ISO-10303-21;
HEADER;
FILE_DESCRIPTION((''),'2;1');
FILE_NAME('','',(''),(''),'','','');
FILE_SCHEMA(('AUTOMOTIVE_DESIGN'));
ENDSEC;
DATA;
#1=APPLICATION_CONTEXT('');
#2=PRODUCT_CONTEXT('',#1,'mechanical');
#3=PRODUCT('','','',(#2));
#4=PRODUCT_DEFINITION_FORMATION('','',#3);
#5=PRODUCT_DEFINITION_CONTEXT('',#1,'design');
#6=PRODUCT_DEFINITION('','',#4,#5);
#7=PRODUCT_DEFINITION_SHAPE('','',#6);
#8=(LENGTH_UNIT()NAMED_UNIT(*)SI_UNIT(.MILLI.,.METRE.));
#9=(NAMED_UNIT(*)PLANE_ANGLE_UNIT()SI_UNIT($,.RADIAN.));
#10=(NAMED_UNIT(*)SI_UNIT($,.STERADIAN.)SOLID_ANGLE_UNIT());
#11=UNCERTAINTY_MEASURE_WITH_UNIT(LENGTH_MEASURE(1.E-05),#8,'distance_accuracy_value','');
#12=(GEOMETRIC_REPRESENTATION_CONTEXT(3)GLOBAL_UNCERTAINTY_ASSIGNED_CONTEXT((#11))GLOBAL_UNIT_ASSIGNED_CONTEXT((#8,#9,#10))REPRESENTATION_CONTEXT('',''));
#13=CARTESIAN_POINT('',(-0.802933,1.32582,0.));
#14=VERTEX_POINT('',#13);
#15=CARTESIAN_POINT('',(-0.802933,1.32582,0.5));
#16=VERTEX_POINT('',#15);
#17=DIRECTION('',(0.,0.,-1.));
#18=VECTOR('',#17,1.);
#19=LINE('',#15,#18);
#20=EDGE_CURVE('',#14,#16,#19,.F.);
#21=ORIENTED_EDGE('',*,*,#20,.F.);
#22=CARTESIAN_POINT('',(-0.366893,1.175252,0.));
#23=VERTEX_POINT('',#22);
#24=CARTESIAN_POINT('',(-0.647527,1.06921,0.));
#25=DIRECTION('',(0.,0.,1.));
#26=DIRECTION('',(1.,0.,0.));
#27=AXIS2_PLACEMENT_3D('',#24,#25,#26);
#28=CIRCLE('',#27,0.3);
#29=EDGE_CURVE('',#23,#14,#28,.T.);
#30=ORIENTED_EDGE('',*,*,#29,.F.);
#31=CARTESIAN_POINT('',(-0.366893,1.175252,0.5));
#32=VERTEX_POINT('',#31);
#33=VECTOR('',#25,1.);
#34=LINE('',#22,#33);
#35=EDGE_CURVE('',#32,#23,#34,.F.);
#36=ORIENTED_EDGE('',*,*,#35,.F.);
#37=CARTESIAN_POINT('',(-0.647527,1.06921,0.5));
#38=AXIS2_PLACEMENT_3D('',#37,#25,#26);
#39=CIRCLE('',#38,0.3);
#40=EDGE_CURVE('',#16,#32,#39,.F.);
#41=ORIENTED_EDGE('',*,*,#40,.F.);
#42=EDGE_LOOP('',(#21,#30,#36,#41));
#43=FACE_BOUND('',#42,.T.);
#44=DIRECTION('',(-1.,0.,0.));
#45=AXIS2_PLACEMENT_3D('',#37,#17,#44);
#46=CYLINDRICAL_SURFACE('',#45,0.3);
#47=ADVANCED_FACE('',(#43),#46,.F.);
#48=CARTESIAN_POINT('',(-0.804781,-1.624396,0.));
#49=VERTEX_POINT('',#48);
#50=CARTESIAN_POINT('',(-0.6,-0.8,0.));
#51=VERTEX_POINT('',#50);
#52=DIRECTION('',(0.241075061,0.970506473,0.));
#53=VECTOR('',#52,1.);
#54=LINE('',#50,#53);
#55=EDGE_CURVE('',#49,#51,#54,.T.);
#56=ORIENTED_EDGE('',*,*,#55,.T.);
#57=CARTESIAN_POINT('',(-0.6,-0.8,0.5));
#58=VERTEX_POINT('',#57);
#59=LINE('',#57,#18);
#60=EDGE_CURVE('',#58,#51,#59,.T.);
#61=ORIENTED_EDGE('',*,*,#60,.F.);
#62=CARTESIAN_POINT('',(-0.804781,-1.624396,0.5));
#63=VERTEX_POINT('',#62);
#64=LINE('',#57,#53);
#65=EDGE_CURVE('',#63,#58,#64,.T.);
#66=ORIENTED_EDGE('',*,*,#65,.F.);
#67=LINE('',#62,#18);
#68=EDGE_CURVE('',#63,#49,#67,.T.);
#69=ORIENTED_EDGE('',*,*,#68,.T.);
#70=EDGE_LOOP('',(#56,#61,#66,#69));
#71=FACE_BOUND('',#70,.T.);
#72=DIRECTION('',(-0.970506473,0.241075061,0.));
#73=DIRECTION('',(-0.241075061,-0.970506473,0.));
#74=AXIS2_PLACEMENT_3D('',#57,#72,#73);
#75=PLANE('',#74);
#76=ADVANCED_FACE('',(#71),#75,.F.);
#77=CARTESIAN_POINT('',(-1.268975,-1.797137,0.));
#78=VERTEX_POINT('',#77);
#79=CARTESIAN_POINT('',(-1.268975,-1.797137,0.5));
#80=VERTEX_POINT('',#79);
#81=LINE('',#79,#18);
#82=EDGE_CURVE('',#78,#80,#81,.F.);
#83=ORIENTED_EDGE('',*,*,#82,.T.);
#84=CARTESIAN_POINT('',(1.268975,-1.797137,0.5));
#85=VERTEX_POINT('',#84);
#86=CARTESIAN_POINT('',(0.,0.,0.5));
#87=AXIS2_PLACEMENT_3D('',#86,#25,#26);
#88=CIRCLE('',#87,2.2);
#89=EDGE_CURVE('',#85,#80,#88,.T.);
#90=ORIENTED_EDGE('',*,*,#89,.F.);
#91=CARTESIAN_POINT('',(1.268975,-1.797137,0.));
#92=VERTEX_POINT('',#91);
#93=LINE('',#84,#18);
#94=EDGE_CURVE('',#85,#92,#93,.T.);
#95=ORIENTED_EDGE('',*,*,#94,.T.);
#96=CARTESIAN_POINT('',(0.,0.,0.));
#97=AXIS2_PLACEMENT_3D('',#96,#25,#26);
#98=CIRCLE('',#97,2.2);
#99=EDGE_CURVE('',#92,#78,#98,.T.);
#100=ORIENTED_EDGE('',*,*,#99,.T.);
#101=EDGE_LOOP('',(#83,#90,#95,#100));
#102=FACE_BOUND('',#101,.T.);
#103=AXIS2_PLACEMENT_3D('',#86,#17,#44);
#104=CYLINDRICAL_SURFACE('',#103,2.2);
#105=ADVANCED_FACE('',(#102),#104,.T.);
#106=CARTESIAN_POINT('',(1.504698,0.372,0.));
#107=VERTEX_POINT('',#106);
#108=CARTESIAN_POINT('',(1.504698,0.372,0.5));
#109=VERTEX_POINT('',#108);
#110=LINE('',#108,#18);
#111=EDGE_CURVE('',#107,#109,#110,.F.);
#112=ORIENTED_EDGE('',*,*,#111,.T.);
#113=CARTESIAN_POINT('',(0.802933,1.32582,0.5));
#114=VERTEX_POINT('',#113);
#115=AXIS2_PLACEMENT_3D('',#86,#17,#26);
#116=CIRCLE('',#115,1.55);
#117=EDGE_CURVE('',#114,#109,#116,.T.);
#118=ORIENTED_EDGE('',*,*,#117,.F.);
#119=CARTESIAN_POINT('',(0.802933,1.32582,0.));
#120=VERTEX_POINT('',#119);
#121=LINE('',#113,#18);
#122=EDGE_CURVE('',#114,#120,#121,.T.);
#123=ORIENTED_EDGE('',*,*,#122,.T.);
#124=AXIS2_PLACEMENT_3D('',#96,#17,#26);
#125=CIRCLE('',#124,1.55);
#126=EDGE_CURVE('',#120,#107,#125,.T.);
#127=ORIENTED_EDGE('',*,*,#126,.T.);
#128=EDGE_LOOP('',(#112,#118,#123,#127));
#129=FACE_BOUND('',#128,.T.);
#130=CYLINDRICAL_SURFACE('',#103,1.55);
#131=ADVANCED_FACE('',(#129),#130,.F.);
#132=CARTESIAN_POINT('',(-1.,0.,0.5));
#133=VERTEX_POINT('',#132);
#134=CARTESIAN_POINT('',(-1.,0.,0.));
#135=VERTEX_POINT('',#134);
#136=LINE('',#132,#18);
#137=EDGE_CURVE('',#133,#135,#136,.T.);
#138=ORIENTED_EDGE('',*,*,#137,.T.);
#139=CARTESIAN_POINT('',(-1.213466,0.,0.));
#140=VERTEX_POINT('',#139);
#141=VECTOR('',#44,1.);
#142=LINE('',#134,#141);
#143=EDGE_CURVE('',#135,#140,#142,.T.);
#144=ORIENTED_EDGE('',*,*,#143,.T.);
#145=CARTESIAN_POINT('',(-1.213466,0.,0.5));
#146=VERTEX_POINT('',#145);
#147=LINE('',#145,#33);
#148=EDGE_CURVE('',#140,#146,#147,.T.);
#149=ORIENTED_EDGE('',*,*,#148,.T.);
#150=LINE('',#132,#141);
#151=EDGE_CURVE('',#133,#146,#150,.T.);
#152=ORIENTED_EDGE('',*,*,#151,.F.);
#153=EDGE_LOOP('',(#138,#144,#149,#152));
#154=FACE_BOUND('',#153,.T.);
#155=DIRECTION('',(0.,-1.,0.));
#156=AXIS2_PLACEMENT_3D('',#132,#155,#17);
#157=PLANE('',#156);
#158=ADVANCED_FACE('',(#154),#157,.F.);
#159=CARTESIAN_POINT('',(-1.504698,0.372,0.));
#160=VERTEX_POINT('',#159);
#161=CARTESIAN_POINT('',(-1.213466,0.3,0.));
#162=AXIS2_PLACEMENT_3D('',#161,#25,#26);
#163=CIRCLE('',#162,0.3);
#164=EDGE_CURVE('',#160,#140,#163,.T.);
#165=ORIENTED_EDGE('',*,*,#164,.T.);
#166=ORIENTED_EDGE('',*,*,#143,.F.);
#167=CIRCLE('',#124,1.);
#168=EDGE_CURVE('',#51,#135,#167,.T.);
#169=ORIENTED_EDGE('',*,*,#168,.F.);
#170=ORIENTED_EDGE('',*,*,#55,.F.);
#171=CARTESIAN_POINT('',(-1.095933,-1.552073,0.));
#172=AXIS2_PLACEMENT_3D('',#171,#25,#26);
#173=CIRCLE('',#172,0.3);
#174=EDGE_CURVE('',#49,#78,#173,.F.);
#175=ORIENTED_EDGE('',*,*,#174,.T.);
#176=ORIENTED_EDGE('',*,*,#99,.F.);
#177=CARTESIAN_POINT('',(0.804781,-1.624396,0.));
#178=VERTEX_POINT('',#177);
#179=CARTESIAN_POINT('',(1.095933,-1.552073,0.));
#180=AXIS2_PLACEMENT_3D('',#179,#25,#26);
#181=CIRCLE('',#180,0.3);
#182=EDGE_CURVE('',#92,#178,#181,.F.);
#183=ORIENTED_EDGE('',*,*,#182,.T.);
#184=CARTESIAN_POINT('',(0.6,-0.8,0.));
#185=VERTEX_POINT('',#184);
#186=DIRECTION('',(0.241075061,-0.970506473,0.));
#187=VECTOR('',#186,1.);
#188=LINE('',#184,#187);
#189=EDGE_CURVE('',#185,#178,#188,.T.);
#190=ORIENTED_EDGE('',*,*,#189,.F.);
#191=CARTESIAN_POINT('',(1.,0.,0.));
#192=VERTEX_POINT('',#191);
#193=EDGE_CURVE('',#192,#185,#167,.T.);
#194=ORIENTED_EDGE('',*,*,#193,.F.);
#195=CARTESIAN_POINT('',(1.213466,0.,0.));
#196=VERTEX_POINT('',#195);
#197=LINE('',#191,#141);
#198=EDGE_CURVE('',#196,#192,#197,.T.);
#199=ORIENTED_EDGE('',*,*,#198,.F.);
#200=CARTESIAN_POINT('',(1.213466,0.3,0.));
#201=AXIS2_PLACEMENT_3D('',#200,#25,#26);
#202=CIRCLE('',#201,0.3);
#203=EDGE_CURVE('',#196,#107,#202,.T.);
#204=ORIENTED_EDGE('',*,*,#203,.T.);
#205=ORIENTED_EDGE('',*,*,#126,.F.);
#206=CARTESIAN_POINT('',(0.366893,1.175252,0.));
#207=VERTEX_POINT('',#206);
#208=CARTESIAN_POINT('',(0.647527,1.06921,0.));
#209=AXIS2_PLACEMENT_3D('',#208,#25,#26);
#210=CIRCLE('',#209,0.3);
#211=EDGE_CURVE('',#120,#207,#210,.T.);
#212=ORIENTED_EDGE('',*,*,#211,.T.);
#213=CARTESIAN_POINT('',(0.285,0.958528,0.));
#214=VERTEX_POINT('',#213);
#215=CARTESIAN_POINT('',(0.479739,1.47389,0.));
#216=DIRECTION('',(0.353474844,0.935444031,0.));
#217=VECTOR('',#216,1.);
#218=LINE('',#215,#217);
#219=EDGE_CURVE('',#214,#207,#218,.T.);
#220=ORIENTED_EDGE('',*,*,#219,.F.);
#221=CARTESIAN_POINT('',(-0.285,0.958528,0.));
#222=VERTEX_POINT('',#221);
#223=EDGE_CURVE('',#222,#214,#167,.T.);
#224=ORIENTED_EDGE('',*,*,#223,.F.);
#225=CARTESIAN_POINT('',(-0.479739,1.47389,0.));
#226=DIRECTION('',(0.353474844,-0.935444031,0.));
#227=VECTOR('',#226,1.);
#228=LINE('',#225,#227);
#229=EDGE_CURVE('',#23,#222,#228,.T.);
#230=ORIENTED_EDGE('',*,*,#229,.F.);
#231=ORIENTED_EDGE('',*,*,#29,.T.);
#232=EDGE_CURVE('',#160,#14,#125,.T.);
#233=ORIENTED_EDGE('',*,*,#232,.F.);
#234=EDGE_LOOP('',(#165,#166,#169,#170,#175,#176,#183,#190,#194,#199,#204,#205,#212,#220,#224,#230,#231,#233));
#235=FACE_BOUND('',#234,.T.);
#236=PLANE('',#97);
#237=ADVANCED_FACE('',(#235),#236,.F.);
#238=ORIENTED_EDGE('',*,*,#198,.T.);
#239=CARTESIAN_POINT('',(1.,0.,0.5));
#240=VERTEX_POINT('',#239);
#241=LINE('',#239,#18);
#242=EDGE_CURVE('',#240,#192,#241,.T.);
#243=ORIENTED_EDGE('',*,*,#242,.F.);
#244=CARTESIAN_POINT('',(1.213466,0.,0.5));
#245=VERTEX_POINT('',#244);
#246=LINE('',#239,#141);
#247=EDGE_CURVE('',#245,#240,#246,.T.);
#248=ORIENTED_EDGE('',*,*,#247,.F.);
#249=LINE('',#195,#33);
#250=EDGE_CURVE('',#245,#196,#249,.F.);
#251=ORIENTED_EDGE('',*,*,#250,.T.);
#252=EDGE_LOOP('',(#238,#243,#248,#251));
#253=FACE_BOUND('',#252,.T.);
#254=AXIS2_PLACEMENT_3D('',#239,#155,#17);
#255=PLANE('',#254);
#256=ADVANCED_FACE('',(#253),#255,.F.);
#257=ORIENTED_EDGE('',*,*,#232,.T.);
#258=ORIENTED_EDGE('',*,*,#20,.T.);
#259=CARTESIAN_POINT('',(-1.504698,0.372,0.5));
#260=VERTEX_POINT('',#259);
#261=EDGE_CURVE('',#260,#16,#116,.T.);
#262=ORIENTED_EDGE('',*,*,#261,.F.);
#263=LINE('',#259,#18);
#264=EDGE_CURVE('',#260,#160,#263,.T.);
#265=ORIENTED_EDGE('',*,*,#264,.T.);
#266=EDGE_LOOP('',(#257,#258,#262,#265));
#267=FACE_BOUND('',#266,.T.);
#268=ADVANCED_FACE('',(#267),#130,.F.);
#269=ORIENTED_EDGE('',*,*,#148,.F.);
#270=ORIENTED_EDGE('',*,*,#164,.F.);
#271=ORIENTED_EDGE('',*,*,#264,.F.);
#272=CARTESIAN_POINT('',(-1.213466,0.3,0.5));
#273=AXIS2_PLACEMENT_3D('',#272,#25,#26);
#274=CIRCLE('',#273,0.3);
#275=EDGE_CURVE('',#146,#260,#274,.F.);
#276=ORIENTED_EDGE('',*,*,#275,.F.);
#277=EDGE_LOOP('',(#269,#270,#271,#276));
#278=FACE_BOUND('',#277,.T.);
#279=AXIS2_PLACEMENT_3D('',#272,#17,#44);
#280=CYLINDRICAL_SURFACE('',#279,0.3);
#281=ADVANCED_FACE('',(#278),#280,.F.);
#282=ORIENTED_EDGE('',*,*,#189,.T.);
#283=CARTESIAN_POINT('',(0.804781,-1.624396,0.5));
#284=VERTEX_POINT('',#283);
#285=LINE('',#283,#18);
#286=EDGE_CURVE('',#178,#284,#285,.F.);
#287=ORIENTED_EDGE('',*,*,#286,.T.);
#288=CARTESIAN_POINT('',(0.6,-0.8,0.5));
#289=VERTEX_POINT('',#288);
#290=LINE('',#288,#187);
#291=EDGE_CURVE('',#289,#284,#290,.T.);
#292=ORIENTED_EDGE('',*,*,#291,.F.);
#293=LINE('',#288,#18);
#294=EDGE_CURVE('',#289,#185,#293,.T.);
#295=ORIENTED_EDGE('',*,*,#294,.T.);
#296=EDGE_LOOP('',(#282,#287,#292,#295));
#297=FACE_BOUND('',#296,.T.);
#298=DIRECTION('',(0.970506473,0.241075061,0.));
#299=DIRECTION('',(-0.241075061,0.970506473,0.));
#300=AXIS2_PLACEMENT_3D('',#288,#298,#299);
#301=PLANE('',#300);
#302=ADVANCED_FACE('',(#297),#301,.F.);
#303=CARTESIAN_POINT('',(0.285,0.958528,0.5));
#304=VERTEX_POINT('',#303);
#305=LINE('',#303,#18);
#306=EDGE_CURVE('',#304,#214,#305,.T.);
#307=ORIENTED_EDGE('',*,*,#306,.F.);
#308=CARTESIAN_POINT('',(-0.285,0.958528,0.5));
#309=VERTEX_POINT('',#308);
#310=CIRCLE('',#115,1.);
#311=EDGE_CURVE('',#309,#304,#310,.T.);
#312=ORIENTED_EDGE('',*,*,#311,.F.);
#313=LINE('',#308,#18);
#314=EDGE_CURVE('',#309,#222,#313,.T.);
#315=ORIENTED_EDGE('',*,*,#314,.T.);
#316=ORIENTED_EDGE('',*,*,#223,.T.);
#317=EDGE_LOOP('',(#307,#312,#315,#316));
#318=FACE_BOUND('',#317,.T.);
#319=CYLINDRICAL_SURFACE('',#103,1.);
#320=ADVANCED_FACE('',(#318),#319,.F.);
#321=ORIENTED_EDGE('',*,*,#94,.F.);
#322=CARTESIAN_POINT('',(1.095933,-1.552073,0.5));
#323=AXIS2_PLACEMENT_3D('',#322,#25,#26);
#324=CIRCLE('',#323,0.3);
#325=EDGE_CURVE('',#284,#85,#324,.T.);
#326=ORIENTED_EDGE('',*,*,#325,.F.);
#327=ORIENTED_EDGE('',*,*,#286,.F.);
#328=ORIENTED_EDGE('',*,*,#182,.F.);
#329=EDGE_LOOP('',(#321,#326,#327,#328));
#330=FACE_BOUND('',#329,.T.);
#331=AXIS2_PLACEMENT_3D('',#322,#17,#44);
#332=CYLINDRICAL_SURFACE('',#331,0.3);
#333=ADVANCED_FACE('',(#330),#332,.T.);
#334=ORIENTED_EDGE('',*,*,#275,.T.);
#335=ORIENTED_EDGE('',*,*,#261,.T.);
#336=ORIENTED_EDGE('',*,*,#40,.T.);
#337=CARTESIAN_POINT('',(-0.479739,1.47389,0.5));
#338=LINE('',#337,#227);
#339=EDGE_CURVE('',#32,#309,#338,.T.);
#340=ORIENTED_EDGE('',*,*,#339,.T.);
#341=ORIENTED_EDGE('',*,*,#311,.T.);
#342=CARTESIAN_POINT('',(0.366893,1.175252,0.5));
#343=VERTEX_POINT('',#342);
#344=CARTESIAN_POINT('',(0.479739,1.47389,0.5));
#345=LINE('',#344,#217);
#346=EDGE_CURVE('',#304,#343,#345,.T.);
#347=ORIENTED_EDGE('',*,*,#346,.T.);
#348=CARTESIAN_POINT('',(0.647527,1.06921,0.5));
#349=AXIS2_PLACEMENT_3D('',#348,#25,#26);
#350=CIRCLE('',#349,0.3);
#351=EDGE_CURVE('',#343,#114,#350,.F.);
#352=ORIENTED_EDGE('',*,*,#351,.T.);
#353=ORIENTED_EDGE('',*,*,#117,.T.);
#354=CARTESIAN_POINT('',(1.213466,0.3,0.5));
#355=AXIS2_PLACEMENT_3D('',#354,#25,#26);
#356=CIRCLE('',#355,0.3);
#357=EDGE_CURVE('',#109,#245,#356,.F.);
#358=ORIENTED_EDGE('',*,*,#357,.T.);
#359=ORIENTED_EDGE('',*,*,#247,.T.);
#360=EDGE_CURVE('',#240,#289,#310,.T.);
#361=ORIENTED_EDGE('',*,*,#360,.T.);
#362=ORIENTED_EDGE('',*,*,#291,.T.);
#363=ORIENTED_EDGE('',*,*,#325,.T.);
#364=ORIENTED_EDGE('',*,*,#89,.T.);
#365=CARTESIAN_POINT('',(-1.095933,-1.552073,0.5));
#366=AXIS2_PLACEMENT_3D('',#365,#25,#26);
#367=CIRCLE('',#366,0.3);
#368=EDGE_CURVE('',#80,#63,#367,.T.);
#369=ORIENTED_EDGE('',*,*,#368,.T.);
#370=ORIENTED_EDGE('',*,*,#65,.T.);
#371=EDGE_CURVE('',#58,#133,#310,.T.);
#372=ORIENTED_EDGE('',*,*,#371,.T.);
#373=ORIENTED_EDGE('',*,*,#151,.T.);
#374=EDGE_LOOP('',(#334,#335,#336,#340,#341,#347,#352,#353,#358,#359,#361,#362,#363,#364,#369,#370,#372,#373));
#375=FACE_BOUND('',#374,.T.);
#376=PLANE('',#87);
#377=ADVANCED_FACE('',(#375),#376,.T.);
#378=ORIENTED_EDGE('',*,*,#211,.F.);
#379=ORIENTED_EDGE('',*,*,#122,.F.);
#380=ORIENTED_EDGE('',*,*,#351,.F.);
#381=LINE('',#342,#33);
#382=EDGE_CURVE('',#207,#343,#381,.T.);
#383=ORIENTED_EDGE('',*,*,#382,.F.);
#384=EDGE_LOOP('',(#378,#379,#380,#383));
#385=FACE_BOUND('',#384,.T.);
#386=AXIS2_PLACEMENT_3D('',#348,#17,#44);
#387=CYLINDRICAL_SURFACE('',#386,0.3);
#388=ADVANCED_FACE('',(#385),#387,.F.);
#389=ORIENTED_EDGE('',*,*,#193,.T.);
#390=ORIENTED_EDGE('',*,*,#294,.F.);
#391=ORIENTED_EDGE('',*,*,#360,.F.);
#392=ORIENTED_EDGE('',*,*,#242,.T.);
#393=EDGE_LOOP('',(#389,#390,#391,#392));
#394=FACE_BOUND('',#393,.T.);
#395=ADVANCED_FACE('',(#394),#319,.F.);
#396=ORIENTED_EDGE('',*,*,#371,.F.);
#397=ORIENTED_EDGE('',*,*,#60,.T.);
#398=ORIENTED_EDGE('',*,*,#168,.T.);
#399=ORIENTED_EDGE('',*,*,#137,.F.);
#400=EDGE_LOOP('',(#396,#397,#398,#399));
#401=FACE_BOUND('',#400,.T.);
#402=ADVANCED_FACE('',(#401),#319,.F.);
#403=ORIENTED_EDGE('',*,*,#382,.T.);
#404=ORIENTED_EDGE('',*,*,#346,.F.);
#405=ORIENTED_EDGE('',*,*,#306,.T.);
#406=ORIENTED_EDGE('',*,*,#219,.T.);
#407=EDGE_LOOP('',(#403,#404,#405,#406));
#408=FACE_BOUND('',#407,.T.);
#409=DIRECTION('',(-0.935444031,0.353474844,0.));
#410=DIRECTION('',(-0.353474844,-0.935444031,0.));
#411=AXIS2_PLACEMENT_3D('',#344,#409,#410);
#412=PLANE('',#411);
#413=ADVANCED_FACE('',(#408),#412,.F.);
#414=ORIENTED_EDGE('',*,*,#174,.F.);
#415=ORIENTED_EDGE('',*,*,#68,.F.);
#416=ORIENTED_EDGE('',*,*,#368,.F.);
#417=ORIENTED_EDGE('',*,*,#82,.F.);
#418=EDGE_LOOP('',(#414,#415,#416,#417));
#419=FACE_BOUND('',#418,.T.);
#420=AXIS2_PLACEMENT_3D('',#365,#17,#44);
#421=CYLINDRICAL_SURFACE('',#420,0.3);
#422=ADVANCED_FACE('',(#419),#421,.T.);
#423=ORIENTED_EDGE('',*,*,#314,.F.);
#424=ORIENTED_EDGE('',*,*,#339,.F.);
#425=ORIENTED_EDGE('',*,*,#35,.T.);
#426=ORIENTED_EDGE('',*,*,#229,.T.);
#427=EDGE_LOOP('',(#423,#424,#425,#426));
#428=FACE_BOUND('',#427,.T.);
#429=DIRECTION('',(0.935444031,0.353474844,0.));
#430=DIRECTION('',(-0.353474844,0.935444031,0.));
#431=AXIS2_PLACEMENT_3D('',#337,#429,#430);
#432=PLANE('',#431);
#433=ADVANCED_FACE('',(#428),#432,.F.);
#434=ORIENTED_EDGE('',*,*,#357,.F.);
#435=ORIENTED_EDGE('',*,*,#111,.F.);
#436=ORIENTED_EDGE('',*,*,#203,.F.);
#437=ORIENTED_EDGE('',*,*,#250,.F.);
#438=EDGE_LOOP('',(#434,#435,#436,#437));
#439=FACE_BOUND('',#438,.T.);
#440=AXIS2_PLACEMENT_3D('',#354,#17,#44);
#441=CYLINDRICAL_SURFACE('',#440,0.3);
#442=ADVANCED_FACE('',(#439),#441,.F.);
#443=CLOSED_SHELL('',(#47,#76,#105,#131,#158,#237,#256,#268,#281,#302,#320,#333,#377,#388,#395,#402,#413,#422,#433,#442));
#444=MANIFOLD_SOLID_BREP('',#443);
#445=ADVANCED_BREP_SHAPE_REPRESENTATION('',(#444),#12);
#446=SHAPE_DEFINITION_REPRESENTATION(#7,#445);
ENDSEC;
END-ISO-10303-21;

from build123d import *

# Parameters (mm, degrees)
BOSS_EXTRUDE1_DEPTH = 0.5
FILLET1_R           = 0.3


with BuildPart() as part:
    # Sketch2 → Boss-Extrude1 (new body)
    with BuildSketch(Plane.XY):
        with BuildLine():
            Line((0.6, -0.8), (0.899946983, -2.007509758))
            ThreePointArc((0.899946983, -2.007509758), (0, 2.2), (-0.899946983, -2.007509758))
            Line((-0.899946983, -2.007509758), (-0.6, -0.8))
            ThreePointArc((-0.6, -0.8), (-0.894427191, -0.447213595), (-1, 0))
            Line((-1, 0), (-1.55, 0))
            ThreePointArc((-1.55, 0), (-1.25421202, 0.910742669), (-0.479739085, 1.473889552))
            Line((-0.479739085, 1.473889552), (-0.285, 0.958527517))
            ThreePointArc((-0.285, 0.958527517), (0, 1), (0.285, 0.958527517))
            Line((0.285, 0.958527517), (0.479739085, 1.473889552))
            ThreePointArc((0.479739085, 1.473889552), (1.25421202, 0.910742669), (1.55, 0))
            Line((1.55, 0), (1, 0))
            ThreePointArc((1, 0), (0.894427191, -0.447213595), (0.6, -0.8))
        make_face()
    extrude(amount=BOSS_EXTRUDE1_DEPTH)

    # Fillet1
    fillet1_edges = [part.edges().sort_by_distance(p)[0] for p in [
        (1.55, 0, 0.25),
        (0.479739085, 1.473889552, 0.25),
        (-0.479739085, 1.473889552, 0.25),
        (-1.55, 0, 0.25),
        (-0.899946983, -2.007509758, 0.25),
        (0.899946983, -2.007509758, 0.25),
    ]]
    fillet(fillet1_edges, radius=FILLET1_R)


solid = part.part
